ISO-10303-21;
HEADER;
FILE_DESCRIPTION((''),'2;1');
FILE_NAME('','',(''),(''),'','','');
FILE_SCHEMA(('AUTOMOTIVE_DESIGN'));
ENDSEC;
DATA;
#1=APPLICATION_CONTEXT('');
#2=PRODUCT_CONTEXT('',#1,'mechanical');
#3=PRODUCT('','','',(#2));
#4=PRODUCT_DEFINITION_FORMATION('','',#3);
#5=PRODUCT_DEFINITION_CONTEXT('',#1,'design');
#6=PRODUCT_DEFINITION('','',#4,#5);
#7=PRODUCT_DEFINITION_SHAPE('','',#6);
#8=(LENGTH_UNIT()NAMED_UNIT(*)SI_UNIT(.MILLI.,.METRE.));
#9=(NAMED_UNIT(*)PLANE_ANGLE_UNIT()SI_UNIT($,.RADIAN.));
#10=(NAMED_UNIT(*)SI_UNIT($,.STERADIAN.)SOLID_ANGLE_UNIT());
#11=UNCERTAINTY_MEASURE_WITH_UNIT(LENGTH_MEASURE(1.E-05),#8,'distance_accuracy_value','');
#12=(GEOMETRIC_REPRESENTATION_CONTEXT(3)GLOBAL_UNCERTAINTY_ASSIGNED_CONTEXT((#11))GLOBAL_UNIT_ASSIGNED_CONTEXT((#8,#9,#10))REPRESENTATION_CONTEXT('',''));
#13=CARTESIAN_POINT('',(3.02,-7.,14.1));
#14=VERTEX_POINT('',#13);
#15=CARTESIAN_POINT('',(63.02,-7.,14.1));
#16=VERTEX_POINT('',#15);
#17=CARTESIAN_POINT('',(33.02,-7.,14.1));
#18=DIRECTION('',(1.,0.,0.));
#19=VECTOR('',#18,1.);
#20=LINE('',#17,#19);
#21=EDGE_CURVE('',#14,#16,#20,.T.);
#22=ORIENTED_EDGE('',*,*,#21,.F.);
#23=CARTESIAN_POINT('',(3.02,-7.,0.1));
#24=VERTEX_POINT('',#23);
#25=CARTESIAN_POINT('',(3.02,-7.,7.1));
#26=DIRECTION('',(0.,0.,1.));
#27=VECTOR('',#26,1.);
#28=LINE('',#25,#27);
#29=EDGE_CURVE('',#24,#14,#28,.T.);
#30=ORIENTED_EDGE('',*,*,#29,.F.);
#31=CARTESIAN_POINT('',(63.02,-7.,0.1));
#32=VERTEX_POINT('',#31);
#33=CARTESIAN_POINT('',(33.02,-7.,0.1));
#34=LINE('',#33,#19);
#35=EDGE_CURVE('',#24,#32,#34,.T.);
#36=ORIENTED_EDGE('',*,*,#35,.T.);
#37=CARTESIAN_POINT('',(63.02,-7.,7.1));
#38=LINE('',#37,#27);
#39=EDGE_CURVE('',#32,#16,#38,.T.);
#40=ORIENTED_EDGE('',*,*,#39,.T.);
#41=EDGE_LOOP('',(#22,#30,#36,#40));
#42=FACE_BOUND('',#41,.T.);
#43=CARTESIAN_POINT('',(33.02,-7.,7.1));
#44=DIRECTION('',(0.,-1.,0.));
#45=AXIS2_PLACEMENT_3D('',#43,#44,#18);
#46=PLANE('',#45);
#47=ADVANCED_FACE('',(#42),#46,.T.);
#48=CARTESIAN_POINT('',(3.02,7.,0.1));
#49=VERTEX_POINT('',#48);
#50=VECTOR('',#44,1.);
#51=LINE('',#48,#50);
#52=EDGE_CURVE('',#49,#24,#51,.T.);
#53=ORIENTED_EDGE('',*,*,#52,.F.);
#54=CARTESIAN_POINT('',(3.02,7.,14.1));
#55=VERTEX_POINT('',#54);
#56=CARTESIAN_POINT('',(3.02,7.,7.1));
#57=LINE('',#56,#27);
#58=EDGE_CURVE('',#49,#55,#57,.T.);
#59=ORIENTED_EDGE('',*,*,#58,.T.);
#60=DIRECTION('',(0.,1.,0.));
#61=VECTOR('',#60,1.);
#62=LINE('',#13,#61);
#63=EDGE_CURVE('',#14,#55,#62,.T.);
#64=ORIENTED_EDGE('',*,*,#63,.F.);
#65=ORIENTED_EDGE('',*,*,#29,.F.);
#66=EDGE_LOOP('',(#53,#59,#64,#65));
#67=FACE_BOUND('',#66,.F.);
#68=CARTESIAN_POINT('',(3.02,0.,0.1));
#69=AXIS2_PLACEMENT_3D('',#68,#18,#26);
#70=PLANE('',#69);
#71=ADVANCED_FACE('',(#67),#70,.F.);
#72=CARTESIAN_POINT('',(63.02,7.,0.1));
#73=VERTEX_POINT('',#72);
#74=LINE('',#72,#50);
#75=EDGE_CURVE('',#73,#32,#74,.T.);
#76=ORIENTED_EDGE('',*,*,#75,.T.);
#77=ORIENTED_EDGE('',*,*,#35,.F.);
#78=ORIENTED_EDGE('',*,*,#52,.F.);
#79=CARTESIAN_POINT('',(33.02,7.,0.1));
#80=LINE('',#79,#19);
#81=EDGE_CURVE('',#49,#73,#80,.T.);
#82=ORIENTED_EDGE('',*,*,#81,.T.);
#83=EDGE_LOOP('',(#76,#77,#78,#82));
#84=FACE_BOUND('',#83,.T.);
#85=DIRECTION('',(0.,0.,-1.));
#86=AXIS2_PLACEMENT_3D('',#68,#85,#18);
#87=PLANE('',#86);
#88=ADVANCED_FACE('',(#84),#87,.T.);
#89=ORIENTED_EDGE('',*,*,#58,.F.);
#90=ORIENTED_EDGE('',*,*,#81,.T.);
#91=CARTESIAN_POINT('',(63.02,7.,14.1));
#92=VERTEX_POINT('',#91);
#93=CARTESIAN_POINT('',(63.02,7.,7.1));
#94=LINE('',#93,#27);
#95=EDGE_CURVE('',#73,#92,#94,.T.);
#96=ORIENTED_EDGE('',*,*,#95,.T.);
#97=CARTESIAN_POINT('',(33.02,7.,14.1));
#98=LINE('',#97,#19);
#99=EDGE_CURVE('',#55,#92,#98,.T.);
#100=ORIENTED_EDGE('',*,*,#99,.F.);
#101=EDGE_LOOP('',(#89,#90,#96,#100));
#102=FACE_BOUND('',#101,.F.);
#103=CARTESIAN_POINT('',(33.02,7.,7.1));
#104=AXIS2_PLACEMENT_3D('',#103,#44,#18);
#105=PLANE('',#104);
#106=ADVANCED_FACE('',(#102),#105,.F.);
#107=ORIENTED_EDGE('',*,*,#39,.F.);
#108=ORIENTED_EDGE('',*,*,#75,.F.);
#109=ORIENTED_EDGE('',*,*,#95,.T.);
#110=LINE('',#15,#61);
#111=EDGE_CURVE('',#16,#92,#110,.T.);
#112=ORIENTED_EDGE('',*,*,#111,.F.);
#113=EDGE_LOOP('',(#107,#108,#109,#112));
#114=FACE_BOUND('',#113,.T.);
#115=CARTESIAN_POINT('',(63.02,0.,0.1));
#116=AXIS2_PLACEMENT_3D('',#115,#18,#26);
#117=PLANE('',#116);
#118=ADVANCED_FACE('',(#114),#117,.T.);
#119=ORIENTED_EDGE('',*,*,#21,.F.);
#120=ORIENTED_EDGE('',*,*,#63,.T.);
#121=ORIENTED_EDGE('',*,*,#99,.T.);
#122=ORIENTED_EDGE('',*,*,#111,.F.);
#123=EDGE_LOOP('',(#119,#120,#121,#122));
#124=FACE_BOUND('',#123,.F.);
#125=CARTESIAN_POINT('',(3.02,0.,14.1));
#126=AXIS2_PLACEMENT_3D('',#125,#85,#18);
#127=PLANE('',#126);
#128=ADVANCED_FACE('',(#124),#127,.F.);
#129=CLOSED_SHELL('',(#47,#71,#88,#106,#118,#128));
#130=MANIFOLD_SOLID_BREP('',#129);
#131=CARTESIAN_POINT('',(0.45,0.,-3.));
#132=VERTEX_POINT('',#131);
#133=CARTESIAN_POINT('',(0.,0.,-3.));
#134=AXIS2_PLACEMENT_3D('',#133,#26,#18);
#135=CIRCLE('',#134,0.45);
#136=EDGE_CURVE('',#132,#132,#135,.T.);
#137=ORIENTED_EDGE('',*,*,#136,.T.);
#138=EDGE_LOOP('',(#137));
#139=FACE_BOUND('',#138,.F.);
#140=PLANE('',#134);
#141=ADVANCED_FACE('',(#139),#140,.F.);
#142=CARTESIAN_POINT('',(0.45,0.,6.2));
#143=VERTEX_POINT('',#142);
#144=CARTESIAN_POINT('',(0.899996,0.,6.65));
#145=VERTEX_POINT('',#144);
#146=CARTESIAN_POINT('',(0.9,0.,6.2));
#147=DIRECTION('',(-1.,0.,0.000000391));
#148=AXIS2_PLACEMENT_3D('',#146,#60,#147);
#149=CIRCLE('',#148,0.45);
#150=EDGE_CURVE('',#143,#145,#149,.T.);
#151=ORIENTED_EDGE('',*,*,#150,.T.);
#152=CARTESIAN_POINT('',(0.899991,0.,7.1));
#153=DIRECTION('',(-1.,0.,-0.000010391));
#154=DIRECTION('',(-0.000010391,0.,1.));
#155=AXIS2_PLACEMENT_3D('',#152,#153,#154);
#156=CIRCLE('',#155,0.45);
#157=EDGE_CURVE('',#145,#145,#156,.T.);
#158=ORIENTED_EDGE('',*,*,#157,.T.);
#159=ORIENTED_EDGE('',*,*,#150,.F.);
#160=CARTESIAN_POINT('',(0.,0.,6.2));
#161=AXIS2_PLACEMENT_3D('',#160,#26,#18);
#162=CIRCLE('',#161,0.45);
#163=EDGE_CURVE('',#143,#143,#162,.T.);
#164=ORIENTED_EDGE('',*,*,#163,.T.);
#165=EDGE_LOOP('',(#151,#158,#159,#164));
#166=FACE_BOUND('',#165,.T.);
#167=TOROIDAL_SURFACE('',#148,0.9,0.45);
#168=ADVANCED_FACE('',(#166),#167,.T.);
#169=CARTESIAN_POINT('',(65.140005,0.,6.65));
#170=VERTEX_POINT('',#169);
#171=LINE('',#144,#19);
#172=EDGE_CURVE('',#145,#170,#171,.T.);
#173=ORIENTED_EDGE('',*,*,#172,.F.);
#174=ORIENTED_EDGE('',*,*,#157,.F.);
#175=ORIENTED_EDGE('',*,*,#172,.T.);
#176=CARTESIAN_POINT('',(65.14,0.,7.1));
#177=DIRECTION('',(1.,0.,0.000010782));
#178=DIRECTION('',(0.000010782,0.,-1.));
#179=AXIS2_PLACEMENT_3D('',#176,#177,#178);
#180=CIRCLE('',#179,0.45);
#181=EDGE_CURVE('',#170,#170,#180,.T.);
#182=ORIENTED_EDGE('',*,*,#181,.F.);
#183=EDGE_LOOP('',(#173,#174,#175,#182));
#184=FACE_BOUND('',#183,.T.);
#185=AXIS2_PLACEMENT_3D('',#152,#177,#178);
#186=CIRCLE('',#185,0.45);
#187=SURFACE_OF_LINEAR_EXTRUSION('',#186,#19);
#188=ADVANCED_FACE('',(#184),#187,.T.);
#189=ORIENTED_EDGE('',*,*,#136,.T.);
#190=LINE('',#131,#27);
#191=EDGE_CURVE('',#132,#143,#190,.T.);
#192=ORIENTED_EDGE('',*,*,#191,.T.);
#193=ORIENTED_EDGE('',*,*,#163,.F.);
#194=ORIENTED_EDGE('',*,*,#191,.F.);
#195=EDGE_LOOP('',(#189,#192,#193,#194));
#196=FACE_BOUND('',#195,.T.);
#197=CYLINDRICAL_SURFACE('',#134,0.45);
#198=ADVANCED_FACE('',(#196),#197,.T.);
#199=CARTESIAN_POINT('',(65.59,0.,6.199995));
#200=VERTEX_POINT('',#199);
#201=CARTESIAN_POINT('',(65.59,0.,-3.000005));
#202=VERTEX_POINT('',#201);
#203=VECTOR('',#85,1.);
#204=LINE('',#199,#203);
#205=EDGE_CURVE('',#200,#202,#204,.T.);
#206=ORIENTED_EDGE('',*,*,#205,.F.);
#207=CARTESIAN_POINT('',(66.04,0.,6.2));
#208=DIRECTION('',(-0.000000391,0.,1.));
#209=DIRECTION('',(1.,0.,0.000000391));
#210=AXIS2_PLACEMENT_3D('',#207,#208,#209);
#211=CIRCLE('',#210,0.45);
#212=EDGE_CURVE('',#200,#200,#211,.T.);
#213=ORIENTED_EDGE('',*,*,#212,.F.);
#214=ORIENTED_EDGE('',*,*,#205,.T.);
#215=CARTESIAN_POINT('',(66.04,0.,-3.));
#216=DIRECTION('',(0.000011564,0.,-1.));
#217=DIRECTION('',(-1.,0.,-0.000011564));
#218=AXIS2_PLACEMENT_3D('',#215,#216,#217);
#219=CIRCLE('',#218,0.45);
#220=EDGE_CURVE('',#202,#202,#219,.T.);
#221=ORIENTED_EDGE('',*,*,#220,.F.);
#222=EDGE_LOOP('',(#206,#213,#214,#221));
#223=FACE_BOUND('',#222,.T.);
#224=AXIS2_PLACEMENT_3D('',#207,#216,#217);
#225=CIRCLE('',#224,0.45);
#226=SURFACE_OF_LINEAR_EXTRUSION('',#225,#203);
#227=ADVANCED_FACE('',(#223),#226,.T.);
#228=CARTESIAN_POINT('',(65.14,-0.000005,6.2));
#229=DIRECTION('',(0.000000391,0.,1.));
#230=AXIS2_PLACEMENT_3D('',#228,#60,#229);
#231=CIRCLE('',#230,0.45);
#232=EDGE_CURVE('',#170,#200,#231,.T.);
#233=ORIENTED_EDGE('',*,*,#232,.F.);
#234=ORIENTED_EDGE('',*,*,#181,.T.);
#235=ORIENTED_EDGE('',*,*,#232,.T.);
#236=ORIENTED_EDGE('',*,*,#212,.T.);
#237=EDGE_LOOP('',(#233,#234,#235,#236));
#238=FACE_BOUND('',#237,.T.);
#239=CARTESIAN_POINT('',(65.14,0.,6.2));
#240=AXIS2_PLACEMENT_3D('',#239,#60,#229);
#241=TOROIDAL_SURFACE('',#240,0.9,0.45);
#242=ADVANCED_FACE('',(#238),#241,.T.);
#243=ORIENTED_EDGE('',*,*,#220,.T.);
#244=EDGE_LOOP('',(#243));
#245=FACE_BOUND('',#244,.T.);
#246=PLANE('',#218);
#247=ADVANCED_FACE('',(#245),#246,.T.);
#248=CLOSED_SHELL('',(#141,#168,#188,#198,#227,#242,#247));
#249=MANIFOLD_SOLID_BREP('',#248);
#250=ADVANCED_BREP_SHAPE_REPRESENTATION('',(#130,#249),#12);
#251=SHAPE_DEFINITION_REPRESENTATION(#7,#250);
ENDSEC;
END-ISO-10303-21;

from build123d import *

# Parameters (mm, degrees)
SKETCH_R    = 0.45
SKETCH002_W = 60
SKETCH002_H = 14
PAD_DEPTH   = 7


with BuildPart() as sweep_body:
    # Sweep: sweep along a path in Sketch001
    with BuildLine(Plane.XZ) as sweep_path:
        Line((0, -3), (0, 6.2))
        ThreePointArc((0, 6.2), (0.263601, 6.836393), (0.899991, 7.1))
        Line((0.899991, 7.1), (65.14, 7.1))
        ThreePointArc((65.14, 7.1), (65.776396, 6.836396), (66.04, 6.2))
        Line((66.04, 6.2), (66.04, -3))
    # Sketch → Sweep (sweep)
    with BuildSketch(Plane.XY.offset(-2)):
        Circle(SKETCH_R)
    sweep(path=sweep_path.line)


with BuildPart() as pad:
    # Sketch002 → Pad (new body, symmetric)
    with BuildSketch(Plane.XZ):
        with Locations((33.02, 7.1)):
            Rectangle(SKETCH002_W, SKETCH002_H)
    extrude(amount=PAD_DEPTH, both=True)


solid = Compound([sweep_body.part, pad.part])
